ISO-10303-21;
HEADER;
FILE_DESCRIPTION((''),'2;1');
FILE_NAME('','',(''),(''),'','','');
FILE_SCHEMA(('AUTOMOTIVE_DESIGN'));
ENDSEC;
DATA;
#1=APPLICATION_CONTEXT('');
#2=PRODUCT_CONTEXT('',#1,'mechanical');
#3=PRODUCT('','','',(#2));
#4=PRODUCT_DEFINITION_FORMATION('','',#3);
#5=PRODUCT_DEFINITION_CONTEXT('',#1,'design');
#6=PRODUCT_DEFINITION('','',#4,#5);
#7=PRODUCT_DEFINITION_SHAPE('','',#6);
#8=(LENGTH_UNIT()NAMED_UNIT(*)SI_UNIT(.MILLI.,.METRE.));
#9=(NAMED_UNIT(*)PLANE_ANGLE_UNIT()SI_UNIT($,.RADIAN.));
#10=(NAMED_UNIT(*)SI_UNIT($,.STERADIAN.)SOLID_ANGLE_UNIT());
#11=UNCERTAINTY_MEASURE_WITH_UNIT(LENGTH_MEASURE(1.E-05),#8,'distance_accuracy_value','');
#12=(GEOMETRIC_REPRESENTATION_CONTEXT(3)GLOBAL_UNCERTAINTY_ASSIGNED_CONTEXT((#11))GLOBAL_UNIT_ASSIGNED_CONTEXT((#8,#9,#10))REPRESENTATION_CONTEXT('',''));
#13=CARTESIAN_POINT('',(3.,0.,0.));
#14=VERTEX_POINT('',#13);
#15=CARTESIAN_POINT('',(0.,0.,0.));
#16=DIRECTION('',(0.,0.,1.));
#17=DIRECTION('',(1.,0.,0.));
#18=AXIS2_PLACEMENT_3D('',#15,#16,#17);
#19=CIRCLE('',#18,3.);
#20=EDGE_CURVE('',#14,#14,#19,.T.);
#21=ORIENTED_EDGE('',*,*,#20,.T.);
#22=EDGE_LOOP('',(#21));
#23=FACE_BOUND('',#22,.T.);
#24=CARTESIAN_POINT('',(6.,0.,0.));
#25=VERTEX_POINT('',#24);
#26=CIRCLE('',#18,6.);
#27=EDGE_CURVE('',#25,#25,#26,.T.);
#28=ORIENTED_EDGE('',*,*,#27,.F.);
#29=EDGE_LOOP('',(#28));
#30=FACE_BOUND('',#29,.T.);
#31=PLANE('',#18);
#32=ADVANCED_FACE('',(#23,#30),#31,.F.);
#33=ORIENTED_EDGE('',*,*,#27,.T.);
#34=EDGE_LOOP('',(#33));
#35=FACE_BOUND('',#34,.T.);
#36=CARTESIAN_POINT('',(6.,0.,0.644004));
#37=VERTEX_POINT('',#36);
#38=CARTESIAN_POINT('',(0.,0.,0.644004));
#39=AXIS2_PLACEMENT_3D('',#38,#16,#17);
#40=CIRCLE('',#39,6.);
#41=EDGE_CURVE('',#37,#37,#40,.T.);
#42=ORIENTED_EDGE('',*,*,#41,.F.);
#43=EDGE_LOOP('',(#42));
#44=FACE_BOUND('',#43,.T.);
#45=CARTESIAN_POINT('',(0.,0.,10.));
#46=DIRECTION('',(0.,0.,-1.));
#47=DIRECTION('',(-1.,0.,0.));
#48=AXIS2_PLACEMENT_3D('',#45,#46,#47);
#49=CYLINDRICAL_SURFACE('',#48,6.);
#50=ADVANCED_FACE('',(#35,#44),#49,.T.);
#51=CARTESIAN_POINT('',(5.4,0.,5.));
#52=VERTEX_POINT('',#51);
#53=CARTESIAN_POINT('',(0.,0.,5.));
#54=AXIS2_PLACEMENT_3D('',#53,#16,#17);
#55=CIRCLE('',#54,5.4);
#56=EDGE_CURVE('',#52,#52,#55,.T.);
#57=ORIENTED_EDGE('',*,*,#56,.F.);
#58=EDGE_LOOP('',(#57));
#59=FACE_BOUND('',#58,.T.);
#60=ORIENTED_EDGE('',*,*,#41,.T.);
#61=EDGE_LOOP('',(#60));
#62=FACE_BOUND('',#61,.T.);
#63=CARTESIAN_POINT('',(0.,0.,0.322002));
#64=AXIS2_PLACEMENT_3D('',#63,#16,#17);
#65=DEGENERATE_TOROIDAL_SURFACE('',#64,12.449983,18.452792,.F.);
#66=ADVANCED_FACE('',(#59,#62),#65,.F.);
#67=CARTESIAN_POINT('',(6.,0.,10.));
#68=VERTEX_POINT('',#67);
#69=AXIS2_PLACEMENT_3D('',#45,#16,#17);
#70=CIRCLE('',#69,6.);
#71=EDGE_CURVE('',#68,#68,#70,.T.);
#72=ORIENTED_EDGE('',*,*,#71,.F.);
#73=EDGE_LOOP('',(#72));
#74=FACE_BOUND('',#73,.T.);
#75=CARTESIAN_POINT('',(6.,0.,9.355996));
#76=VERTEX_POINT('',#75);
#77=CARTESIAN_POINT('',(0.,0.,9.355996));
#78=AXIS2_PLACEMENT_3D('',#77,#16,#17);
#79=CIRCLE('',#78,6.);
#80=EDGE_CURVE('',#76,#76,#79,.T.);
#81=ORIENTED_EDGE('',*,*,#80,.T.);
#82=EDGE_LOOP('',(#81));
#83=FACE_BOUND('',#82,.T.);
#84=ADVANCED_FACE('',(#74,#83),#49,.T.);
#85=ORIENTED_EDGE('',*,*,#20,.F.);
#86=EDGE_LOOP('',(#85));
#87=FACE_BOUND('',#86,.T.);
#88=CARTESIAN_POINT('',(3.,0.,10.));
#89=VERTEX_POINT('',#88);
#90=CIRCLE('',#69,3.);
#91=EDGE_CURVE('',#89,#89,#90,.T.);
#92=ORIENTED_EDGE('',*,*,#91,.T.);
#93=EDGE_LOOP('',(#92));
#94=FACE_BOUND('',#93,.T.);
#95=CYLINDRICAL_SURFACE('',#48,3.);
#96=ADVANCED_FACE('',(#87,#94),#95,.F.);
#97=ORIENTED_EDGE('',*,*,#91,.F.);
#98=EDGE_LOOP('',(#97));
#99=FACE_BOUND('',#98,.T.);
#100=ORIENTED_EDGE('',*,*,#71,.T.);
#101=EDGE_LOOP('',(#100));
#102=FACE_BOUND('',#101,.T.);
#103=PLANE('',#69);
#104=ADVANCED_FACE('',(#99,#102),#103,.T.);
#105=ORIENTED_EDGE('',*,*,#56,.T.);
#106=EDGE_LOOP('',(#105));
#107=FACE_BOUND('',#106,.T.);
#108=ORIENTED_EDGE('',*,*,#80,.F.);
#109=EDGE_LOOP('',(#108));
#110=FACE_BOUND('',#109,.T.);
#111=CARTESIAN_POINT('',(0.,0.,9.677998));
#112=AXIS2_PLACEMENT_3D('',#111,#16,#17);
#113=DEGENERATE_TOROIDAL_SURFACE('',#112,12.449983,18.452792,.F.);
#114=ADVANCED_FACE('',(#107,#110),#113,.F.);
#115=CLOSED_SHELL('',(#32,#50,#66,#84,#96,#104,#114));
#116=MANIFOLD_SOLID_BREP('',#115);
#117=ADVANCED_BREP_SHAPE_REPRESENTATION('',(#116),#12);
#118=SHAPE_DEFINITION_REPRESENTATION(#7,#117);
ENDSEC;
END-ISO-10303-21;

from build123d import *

# Parameters (mm, degrees)
IZIM1_R                     = 6
IZIM1_R_2                   = 3
Y_KSEKLIK_EKSTR_ZYON1_DEPTH = 10


with BuildPart() as part:
    # Çizim1 → Yükseklik-Ekstrüzyon1 (new body)
    with BuildSketch(Plane.XY):
        Circle(IZIM1_R)
        Circle(IZIM1_R_2, mode=Mode.SUBTRACT)
    extrude(amount=Y_KSEKLIK_EKSTR_ZYON1_DEPTH)

    # Çizim2 → Kes-Döndür1 (revolve, cut)
    with BuildSketch(Plane(origin=(0, 0, 0), x_dir=(1, 0, 0), z_dir=(0, 1, 0)), mode=Mode.PRIVATE) as kes_d_nd_r1_sk:
        with BuildLine():
            ThreePointArc((-5.4, -5), (-5.830212785, -2.839937738), (-6, -0.644004152))
            Line((-6, -0.644004152), (-6, -9.355995848))
            ThreePointArc((-6, -9.355995848), (-5.830212785, -7.160062262), (-5.4, -5))
        make_face()
    revolve(kes_d_nd_r1_sk.sketch.rotate(Axis((0, 0, 10), (0, 0, -1)), 180), axis=Axis((0, 0, 10), (0, 0, -1)), mode=Mode.SUBTRACT)


solid = part.part
